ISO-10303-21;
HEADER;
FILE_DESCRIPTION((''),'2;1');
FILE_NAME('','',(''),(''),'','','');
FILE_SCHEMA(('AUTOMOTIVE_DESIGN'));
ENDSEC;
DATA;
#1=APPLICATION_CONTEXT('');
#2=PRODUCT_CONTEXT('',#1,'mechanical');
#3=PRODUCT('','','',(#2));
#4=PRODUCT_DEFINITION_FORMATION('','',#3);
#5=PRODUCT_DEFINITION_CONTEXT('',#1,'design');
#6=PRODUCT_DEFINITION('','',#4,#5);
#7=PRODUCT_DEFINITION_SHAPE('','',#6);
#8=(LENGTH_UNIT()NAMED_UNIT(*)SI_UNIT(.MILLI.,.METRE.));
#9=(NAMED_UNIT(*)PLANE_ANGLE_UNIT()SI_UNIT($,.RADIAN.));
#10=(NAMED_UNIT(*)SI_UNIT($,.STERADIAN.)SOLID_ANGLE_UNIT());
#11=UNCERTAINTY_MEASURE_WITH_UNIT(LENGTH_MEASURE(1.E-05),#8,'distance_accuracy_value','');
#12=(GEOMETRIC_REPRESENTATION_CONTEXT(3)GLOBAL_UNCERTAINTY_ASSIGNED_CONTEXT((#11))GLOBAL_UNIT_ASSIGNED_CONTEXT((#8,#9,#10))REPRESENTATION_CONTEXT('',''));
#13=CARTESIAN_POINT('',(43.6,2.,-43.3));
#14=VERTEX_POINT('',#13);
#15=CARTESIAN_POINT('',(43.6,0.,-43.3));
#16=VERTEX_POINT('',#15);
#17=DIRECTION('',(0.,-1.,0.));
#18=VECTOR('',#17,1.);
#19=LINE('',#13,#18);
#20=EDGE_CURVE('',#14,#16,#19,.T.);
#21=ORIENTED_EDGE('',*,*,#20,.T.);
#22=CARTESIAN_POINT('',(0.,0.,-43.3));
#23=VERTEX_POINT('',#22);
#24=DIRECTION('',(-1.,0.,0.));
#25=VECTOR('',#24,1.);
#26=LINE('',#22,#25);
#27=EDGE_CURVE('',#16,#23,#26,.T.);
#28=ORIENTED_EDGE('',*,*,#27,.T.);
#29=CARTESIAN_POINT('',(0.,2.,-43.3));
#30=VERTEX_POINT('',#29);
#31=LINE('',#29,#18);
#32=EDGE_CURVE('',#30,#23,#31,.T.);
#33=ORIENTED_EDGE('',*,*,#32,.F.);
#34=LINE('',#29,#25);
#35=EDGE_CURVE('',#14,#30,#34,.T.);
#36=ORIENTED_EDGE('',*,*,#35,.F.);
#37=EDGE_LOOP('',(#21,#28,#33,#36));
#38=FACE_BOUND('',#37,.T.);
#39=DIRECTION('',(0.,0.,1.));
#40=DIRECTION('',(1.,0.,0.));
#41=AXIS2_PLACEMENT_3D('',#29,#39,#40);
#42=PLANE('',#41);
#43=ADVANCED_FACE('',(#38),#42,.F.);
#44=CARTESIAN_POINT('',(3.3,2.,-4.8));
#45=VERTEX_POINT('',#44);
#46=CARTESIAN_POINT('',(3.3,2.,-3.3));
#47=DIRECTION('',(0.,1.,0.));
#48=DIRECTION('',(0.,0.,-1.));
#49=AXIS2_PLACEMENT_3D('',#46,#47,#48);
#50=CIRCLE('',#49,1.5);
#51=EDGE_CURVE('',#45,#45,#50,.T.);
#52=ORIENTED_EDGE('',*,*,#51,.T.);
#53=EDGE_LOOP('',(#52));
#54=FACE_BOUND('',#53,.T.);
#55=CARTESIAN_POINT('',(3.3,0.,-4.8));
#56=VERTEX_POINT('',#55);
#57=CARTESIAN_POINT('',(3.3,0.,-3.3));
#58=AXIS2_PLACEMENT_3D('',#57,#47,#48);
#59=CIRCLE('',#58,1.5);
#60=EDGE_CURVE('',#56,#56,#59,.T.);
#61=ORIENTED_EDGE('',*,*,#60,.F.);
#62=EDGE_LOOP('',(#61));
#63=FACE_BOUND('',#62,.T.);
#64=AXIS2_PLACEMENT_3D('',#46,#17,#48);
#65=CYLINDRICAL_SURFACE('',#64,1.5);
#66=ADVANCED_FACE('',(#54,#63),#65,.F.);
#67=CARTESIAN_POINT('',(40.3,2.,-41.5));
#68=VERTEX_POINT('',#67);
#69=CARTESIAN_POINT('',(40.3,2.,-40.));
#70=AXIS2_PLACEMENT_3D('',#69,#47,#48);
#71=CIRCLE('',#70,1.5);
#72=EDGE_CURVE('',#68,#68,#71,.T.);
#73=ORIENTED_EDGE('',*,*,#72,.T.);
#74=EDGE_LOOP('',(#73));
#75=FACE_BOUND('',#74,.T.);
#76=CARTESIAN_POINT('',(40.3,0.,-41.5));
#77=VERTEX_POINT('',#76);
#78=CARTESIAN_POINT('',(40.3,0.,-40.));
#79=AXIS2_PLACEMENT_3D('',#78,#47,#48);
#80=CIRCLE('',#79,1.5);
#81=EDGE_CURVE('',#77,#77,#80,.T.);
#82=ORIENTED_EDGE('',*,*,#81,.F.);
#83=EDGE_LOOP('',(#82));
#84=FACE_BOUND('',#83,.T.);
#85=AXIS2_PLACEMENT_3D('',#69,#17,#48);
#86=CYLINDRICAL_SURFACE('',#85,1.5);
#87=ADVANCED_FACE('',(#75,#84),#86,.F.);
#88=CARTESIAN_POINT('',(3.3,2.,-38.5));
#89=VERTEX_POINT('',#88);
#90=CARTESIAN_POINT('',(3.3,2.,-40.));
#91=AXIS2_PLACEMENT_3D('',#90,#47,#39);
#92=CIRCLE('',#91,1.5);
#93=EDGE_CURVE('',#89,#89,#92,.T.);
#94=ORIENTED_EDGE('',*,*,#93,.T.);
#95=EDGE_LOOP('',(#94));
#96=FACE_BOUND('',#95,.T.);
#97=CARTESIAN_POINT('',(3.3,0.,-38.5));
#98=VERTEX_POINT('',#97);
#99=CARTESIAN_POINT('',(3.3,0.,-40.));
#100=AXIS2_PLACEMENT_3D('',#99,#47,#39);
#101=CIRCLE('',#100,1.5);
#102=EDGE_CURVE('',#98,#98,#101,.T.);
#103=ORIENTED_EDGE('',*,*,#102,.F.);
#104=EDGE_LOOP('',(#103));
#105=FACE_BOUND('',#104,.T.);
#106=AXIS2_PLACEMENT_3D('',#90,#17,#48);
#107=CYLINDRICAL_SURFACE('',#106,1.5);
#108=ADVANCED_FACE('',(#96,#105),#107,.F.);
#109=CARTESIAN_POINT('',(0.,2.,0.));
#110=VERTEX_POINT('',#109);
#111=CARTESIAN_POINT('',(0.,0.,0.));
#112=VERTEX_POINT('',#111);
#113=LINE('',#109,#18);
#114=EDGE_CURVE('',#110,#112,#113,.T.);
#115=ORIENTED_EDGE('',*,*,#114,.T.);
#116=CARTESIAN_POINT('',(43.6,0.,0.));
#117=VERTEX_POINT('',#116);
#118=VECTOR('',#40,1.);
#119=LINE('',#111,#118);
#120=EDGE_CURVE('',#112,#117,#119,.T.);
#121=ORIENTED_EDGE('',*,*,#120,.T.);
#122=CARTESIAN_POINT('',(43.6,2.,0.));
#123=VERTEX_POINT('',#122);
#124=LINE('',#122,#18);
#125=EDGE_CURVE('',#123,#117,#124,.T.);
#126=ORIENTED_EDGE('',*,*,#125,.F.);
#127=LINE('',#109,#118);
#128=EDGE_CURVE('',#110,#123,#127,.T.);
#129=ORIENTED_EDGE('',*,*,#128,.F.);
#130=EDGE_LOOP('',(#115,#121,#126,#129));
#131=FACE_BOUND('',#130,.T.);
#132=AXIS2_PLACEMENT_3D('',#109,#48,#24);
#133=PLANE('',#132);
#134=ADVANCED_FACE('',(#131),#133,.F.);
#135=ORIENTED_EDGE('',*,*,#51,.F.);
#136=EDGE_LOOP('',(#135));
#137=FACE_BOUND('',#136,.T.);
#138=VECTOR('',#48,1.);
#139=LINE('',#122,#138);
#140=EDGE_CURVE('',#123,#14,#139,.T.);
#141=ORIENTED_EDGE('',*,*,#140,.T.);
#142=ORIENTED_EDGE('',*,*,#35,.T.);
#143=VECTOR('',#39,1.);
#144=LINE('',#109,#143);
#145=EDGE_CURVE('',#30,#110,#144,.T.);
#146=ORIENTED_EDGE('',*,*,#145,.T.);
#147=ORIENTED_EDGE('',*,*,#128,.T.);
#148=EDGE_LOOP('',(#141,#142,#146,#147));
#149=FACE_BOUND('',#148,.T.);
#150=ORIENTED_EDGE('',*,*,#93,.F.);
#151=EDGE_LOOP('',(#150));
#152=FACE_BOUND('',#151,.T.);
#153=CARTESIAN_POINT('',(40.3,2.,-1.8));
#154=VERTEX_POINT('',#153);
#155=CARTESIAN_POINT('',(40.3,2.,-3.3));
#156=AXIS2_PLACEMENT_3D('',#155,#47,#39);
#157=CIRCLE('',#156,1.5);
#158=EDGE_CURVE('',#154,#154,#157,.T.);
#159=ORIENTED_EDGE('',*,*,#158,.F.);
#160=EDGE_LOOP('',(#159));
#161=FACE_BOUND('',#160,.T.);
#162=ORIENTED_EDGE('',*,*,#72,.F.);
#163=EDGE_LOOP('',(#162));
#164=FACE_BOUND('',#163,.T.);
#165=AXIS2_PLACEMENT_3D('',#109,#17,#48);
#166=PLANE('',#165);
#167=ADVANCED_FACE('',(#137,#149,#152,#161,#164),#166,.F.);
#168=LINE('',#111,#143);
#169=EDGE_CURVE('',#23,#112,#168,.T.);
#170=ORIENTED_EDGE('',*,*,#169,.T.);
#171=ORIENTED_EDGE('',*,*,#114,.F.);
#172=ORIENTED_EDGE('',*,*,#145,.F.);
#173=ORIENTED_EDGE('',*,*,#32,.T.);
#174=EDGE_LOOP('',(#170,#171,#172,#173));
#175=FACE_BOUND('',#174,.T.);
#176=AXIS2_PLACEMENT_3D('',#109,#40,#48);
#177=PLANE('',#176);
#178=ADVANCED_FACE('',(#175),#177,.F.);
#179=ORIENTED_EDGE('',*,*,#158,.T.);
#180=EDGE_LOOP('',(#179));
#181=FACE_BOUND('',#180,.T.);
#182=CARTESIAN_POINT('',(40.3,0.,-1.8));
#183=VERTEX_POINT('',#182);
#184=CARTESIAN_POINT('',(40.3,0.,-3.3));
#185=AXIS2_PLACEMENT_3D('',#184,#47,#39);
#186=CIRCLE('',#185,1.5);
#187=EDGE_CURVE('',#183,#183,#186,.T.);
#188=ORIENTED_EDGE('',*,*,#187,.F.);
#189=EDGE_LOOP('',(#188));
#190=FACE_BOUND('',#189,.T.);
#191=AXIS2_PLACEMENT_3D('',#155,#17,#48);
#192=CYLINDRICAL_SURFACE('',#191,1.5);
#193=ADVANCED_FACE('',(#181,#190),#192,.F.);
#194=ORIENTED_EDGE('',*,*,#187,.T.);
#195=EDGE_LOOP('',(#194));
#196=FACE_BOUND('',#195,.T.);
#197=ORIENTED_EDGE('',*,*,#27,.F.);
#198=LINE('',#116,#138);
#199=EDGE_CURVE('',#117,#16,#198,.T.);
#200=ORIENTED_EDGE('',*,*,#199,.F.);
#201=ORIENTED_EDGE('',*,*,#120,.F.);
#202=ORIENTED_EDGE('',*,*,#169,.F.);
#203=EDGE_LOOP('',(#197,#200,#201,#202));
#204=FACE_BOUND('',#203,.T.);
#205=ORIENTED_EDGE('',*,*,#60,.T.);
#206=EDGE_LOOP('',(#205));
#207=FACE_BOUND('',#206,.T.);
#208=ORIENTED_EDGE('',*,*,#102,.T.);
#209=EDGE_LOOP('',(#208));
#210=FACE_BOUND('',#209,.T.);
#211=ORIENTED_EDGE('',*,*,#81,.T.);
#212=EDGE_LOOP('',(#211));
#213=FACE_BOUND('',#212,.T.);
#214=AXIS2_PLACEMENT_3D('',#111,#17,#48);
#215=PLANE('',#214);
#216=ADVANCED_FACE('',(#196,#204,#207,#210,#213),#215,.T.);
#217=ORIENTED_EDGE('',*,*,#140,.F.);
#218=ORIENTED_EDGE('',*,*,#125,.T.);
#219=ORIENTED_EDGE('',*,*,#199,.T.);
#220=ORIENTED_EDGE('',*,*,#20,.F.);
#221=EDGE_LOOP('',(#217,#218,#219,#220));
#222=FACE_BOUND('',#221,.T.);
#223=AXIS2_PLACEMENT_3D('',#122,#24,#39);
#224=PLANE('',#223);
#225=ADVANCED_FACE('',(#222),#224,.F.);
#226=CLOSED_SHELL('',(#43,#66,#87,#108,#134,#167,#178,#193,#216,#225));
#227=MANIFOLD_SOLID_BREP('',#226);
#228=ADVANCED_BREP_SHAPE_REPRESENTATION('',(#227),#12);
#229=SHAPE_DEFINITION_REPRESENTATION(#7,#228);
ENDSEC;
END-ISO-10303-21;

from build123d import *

# Parameters (mm, degrees)
ESQUISSE1_W        = 43.6
ESQUISSE1_H        = 43.3
ESQUISSE1_R        = 1.5
BOSS_EXTRU_1_DEPTH = 2


with BuildPart() as part:
    # Esquisse1 → Boss.-Extru.1 (new body)
    with BuildSketch(Plane(origin=(0, 0, 0), x_dir=(1, 0, 0), z_dir=(0, 1, 0))):
        with Locations((21.8, 21.65)):
            Rectangle(ESQUISSE1_W, ESQUISSE1_H)
        with Locations(Location((3.3, 40, 0), (0, 0, 270))):
            Circle(ESQUISSE1_R, mode=Mode.SUBTRACT)
        with Locations(Location((40.3, 40, 0), (0, 0, 90))):
            Circle(ESQUISSE1_R, mode=Mode.SUBTRACT)
        with Locations(Location((40.3, 3.3, 0), (0, 0, 270))):
            Circle(ESQUISSE1_R, mode=Mode.SUBTRACT)
        with Locations(Location((3.3, 3.3, 0), (0, 0, 90))):
            Circle(ESQUISSE1_R, mode=Mode.SUBTRACT)
    extrude(amount=BOSS_EXTRU_1_DEPTH)


solid = part.part
